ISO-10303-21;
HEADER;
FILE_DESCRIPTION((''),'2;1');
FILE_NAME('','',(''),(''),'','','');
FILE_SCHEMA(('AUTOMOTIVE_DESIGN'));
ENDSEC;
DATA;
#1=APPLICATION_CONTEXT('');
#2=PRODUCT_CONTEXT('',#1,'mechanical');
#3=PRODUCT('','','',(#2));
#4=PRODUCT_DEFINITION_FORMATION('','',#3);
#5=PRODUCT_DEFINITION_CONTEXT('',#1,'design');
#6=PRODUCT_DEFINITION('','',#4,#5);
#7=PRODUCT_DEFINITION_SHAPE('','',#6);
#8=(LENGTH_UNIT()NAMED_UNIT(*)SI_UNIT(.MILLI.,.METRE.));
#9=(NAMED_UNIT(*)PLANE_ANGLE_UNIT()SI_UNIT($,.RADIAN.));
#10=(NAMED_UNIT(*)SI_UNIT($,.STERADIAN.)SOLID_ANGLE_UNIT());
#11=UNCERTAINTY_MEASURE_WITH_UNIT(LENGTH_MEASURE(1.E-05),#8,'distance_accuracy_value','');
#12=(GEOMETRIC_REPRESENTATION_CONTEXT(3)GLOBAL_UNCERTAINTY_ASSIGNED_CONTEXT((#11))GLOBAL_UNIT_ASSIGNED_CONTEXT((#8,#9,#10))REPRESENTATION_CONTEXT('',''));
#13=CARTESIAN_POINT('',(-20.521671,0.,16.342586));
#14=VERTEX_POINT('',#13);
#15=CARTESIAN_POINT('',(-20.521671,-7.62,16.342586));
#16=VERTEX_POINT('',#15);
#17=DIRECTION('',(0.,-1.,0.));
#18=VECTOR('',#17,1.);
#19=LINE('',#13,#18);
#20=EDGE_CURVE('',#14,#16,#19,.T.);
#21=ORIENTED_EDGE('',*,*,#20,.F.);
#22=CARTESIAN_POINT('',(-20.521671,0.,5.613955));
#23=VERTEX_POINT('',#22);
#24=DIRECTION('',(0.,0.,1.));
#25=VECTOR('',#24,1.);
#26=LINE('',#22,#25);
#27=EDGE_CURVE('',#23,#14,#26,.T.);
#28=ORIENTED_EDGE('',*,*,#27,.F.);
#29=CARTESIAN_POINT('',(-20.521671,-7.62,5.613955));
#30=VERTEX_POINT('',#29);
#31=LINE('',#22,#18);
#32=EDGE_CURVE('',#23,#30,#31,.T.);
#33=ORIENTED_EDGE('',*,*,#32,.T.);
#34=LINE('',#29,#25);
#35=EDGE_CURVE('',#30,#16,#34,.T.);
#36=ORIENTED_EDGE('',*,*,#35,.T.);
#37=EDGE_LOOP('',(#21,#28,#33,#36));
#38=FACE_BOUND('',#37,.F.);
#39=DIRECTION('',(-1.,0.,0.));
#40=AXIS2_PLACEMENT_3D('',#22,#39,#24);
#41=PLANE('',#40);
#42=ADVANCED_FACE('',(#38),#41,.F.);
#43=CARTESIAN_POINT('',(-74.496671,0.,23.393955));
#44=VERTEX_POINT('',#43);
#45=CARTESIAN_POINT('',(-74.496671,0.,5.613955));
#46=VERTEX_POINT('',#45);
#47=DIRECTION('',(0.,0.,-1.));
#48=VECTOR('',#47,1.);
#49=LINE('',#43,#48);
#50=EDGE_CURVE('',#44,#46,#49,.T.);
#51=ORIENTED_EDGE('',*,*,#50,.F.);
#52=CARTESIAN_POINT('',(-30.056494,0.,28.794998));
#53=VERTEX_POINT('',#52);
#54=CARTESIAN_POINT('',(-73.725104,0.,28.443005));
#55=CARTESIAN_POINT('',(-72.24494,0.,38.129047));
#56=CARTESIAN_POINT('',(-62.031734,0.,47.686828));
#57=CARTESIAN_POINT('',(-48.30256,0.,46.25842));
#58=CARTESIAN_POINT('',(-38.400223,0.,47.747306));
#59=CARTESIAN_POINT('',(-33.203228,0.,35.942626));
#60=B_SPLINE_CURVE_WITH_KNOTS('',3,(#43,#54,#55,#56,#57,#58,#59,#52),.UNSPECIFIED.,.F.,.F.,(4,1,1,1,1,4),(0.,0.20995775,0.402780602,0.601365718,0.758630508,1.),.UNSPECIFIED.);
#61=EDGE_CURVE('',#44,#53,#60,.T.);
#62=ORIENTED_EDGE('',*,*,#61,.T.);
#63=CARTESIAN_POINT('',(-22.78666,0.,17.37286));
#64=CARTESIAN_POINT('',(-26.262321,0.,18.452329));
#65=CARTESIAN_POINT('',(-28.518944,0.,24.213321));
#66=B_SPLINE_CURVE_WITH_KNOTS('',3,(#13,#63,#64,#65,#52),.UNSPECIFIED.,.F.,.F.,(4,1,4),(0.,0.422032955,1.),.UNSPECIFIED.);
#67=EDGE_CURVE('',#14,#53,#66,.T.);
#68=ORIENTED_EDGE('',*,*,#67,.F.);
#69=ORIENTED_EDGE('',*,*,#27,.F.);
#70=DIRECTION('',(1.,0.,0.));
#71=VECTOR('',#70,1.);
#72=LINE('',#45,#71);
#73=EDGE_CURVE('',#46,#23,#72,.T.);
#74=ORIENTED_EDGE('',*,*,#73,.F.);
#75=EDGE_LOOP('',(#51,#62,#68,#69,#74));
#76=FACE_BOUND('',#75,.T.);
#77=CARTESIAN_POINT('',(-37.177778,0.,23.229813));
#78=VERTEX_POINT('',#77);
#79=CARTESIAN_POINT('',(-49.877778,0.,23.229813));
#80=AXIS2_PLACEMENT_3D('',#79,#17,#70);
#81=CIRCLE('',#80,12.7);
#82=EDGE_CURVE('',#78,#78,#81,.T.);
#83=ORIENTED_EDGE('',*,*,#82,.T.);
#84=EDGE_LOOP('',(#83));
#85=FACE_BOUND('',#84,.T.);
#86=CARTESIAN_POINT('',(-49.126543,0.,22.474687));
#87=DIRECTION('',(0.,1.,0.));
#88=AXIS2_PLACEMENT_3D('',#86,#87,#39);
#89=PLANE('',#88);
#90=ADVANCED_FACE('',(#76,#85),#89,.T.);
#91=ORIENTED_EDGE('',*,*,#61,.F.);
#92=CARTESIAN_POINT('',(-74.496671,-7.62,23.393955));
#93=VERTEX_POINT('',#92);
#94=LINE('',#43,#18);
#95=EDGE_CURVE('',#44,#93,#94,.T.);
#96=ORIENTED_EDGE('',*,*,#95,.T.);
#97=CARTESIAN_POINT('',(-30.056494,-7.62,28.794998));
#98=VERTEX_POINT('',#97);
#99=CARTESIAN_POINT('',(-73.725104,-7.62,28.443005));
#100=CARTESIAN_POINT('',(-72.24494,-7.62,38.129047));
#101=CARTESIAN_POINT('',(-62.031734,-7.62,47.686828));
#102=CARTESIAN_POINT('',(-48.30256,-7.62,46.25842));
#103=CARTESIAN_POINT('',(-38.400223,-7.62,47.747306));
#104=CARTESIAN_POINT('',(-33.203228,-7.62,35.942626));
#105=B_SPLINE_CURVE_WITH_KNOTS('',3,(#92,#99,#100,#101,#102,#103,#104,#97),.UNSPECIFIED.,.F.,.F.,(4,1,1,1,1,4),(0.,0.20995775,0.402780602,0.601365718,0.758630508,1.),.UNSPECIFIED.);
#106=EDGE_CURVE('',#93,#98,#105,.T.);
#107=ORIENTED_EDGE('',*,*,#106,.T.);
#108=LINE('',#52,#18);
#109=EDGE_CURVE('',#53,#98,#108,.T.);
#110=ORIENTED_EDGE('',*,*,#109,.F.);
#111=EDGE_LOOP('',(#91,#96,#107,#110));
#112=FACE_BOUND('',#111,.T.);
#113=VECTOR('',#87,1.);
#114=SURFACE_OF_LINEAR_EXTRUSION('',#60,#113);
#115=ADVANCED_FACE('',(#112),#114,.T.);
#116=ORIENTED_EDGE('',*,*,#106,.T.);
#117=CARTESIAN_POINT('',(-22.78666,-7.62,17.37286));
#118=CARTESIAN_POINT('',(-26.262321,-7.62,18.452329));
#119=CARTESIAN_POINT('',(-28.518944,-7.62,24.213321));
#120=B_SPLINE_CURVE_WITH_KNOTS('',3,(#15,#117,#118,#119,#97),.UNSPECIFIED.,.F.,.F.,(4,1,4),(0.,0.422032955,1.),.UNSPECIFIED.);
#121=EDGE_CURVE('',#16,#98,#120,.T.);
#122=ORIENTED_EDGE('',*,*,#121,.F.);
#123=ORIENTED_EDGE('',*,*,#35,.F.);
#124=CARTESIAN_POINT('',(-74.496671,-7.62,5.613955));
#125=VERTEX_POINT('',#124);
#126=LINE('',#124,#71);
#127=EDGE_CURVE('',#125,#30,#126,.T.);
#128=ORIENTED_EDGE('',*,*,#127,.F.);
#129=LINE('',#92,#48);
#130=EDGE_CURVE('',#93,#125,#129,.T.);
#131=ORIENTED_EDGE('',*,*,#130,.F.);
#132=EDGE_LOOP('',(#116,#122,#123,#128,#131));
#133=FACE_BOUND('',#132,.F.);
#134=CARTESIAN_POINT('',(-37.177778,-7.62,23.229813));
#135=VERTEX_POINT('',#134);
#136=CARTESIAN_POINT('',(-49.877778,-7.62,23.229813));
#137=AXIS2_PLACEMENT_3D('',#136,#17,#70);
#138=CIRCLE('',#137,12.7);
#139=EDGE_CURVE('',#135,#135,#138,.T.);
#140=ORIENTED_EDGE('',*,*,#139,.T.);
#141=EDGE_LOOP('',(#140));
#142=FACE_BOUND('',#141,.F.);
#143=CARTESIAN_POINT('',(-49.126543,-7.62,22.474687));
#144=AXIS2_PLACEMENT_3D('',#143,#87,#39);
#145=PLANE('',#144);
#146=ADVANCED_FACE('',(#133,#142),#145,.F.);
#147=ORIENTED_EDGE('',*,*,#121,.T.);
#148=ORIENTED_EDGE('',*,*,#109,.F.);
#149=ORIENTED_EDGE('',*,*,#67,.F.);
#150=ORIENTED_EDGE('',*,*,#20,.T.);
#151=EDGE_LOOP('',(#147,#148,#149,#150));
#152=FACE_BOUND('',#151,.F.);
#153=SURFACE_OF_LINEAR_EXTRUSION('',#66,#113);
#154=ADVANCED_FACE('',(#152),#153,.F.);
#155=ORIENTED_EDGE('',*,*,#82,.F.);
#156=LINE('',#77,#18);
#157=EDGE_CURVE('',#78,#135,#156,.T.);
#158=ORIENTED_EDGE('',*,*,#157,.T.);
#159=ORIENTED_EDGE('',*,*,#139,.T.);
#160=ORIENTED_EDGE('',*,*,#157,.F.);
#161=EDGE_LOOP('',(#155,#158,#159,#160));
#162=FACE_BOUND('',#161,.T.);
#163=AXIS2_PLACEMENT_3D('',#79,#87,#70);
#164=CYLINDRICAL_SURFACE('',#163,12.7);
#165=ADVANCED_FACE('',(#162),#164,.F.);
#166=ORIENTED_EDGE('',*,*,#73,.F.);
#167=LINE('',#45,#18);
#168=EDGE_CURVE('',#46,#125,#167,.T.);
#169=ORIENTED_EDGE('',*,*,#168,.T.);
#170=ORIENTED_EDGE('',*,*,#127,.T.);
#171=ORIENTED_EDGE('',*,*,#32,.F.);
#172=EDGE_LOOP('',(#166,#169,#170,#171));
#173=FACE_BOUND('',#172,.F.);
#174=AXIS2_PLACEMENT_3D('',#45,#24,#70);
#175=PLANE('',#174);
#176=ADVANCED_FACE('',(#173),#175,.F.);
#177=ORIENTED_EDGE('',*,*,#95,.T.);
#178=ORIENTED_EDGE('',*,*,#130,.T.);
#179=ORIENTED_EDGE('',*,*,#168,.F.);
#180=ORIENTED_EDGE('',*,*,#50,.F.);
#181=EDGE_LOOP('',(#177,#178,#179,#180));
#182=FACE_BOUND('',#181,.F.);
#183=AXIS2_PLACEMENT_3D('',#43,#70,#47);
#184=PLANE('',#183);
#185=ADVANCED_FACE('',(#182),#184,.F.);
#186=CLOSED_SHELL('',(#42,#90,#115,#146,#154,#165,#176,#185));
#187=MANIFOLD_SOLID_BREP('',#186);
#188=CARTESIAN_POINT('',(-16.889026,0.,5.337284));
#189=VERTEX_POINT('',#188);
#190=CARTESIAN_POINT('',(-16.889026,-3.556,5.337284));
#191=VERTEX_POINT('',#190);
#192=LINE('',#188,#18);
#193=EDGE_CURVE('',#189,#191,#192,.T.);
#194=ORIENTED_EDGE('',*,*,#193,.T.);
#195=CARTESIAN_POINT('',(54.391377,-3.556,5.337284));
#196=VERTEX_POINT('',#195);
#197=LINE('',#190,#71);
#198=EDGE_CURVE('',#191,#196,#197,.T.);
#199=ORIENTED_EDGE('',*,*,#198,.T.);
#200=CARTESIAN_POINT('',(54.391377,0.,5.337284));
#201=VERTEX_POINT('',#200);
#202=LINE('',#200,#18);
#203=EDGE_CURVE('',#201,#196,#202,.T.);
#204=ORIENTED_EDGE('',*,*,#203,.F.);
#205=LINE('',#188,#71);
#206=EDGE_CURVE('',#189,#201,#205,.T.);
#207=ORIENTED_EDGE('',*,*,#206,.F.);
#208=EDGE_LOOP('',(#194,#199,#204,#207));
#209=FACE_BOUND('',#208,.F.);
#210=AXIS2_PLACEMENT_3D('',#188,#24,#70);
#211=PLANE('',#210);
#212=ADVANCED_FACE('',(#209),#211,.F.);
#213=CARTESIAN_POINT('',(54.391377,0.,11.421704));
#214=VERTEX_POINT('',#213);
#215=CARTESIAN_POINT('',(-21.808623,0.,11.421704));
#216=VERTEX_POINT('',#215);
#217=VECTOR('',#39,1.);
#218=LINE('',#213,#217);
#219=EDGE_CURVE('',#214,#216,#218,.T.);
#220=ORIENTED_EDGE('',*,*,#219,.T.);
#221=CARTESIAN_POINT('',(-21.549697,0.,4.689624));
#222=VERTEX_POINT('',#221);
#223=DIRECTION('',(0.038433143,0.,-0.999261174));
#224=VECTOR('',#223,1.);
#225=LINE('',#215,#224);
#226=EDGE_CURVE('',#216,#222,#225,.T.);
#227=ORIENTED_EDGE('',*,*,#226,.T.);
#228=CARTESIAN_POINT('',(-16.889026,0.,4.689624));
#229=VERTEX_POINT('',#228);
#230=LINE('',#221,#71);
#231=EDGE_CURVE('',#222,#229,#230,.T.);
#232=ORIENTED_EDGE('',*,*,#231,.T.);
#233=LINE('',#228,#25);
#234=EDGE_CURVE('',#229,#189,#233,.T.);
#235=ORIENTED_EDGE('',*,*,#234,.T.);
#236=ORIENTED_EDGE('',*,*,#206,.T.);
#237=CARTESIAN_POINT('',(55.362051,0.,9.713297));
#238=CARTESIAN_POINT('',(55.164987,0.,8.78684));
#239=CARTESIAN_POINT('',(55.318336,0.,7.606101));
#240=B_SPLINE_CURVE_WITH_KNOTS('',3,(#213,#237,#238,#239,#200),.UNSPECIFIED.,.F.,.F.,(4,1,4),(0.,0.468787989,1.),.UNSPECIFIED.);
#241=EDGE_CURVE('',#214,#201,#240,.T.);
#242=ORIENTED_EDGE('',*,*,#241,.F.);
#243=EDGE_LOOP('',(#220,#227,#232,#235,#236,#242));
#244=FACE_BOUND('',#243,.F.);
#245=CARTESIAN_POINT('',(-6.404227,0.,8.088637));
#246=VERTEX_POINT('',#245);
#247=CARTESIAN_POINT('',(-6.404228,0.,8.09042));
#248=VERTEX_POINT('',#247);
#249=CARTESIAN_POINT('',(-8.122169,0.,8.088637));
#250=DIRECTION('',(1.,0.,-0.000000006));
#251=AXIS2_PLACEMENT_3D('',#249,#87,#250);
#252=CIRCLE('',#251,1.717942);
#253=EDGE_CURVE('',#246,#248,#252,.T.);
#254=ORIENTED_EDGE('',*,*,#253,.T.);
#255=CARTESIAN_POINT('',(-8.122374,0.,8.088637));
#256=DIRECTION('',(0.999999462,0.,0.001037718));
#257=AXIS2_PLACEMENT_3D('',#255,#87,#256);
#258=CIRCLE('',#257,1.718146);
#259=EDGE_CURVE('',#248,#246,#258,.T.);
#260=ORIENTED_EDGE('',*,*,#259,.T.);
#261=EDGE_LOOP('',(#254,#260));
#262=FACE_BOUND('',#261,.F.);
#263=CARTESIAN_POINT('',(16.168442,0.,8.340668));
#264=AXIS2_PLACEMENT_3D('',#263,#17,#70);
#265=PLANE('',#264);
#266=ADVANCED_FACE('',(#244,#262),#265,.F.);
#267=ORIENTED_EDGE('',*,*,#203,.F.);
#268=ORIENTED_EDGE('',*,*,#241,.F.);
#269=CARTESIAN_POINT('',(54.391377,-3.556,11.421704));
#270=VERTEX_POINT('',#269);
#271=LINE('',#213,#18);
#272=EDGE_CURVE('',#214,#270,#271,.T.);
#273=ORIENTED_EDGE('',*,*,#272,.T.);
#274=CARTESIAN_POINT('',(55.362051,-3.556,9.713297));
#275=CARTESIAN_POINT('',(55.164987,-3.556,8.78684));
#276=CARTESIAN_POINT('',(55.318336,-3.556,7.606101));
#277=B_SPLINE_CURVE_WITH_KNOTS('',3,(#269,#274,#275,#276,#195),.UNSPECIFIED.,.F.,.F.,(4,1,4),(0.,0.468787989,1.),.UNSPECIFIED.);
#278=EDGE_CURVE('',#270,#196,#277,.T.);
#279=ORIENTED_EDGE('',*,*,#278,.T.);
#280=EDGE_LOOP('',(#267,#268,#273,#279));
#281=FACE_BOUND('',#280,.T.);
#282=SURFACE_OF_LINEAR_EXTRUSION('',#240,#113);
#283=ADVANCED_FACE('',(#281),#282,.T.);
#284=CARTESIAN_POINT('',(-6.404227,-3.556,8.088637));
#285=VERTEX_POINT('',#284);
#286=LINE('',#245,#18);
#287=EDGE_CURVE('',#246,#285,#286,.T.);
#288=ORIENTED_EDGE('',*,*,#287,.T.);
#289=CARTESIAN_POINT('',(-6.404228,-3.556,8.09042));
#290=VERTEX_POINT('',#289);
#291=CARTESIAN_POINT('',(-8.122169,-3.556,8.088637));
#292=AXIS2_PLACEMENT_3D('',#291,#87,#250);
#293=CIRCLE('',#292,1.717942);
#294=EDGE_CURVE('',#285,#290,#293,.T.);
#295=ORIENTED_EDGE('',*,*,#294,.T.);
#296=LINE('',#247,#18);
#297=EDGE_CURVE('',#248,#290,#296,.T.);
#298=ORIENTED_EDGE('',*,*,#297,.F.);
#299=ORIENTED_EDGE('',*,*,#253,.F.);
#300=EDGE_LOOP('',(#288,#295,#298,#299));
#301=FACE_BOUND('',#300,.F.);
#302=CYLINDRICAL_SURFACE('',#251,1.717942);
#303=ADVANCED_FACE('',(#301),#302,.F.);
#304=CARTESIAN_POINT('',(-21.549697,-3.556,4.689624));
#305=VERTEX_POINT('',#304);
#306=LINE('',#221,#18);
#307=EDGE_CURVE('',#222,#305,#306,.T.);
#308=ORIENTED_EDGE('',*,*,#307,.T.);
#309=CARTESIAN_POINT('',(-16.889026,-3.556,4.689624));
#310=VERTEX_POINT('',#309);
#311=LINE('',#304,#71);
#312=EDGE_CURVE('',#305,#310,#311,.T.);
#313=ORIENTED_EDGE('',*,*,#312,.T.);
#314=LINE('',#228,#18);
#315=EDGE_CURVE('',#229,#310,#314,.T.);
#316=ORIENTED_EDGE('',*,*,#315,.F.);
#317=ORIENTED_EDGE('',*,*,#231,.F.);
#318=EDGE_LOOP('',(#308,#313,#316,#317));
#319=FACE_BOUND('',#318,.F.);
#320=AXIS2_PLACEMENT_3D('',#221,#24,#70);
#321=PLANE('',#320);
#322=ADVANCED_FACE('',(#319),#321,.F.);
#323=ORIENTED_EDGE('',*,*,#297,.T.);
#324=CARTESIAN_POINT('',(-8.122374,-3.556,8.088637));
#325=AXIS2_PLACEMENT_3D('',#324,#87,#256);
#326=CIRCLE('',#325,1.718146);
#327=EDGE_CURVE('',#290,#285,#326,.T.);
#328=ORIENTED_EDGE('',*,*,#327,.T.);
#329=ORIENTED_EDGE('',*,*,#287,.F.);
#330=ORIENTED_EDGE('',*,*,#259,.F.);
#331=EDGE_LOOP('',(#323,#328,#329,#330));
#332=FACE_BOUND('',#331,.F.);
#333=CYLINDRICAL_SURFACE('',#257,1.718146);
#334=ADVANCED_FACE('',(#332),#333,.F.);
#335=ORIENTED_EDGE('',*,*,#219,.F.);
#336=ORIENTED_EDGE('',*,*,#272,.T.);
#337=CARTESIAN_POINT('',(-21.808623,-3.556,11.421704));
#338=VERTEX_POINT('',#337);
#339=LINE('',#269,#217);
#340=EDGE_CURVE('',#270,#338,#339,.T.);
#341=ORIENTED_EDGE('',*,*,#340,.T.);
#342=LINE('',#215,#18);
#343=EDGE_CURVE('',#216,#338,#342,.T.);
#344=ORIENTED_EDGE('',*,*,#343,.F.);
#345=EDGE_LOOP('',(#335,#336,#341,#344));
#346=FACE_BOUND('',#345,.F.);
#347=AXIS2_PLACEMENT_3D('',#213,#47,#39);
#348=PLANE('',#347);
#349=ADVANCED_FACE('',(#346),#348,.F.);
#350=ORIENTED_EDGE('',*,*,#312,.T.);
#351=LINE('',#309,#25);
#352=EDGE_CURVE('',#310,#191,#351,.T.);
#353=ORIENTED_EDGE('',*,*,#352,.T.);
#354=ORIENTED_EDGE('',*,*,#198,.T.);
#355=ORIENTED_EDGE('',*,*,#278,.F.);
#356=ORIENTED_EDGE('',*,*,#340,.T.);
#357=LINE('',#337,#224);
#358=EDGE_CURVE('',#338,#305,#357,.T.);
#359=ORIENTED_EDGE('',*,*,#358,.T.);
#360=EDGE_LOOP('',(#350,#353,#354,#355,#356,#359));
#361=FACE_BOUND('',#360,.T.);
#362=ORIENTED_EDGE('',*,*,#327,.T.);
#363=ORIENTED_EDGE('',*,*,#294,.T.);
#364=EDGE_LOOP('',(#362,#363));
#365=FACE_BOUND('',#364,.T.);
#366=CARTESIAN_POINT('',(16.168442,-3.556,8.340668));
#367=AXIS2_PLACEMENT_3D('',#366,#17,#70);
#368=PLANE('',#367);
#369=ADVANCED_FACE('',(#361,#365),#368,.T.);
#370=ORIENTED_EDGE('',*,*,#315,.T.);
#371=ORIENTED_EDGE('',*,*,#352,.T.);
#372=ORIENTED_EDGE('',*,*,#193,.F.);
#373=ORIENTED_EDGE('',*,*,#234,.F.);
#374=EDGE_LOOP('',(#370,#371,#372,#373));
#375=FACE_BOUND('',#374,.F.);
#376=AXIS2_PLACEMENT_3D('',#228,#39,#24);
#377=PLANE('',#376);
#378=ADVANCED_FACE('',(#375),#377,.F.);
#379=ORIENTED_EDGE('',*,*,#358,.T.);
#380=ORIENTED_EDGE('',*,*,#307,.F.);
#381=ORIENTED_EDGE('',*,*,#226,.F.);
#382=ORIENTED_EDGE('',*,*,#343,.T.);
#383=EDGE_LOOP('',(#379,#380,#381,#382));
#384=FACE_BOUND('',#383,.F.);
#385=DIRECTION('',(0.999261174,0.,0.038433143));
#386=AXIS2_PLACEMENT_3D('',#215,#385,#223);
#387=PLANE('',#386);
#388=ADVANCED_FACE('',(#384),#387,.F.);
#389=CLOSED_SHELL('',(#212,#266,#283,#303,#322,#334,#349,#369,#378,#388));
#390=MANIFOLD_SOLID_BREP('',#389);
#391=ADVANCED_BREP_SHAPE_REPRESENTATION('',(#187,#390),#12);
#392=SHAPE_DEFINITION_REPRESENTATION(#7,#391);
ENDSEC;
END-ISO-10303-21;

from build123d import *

# Parameters (mm, degrees)
F0_R     = 12.7
F1_DEPTH = 7.62
F3_DEPTH = 3.556


with BuildPart() as f1:
    # F0 (on Front) → F1 (new body)
    with BuildSketch(Plane.XZ):
        with BuildLine():
            add(Edge.make_bspline(
                [(-74.4966706308, 23.3939551896), (-73.725104121, 28.4430054043), (-72.244939562, 38.1290469534), (-62.0317343333, 47.6868281028), (-48.3025596431, 46.2584201491), (-38.4002225235, 47.7473061021), (-33.2032280448, 35.9426258243), (-30.0564943739, 28.7949975267)],
                knots=[0, 0, 0, 0, 0.20995775, 0.4027806022, 0.601365718, 0.7586305081, 1, 1, 1, 1], degree=3))
            Line((-74.4966706308, 23.3939551896), (-74.4966706308, 5.6139551896))
            Line((-74.4966706308, 5.6139551896), (-20.5216706308, 5.6139551896))
            Line((-20.5216706308, 5.6139551896), (-20.5216706308, 16.3425861905))
            add(Edge.make_bspline(
                [(-20.5216706308, 16.3425861905), (-22.7866601061, 17.3728601759), (-26.2623209609, 18.4523294218), (-28.5189439618, 24.213320784), (-30.0564943739, 28.7949975267)],
                knots=[0, 0, 0, 0, 0.4220329549, 1, 1, 1, 1], degree=3))
        make_face()
        with Locations((-49.8777776957, 23.2298132032)):
            Circle(F0_R, mode=Mode.SUBTRACT)
    extrude(amount=F1_DEPTH)


with BuildPart() as f3:
    # F2 (on Front) → F3 (new body)
    with BuildSketch(Plane.XZ):
        with BuildLine():
            Line((54.3913766734, 11.4217040176), (-21.8086233266, 11.4217040176))
            Line((-21.8086233266, 11.4217040176), (-21.5496970244, 4.6896238822))
            Line((-21.5496970244, 4.6896238822), (-16.8890263789, 4.6896238822))
            Line((-16.8890263789, 4.6896238822), (-16.8890263789, 5.3372839447))
            Line((-16.8890263789, 5.3372839447), (54.3913766734, 5.3372839447))
            add(Edge.make_bspline(
                [(54.3913766734, 11.4217040176), (55.3620508614, 9.7132972958), (55.1649866176, 8.7868398988), (55.3183357371, 7.6061006687), (54.3913766734, 5.3372839447)],
                knots=[0, 0, 0, 0, 0.4687879891, 1, 1, 1, 1], degree=3))
        make_face()
        with BuildLine():
            ThreePointArc((-6.4042282244, 8.0904201991), (-6.4042275306, 8.089528772), (-6.4042272993, 8.0886373447))
            ThreePointArc((-6.4042272993, 8.0886373447), (-9.840110468, 8.0877459174), (-6.4042282244, 8.0904201991))
        make_face(mode=Mode.SUBTRACT)
    extrude(amount=F3_DEPTH)


solid = Compound([f1.part, f3.part])
